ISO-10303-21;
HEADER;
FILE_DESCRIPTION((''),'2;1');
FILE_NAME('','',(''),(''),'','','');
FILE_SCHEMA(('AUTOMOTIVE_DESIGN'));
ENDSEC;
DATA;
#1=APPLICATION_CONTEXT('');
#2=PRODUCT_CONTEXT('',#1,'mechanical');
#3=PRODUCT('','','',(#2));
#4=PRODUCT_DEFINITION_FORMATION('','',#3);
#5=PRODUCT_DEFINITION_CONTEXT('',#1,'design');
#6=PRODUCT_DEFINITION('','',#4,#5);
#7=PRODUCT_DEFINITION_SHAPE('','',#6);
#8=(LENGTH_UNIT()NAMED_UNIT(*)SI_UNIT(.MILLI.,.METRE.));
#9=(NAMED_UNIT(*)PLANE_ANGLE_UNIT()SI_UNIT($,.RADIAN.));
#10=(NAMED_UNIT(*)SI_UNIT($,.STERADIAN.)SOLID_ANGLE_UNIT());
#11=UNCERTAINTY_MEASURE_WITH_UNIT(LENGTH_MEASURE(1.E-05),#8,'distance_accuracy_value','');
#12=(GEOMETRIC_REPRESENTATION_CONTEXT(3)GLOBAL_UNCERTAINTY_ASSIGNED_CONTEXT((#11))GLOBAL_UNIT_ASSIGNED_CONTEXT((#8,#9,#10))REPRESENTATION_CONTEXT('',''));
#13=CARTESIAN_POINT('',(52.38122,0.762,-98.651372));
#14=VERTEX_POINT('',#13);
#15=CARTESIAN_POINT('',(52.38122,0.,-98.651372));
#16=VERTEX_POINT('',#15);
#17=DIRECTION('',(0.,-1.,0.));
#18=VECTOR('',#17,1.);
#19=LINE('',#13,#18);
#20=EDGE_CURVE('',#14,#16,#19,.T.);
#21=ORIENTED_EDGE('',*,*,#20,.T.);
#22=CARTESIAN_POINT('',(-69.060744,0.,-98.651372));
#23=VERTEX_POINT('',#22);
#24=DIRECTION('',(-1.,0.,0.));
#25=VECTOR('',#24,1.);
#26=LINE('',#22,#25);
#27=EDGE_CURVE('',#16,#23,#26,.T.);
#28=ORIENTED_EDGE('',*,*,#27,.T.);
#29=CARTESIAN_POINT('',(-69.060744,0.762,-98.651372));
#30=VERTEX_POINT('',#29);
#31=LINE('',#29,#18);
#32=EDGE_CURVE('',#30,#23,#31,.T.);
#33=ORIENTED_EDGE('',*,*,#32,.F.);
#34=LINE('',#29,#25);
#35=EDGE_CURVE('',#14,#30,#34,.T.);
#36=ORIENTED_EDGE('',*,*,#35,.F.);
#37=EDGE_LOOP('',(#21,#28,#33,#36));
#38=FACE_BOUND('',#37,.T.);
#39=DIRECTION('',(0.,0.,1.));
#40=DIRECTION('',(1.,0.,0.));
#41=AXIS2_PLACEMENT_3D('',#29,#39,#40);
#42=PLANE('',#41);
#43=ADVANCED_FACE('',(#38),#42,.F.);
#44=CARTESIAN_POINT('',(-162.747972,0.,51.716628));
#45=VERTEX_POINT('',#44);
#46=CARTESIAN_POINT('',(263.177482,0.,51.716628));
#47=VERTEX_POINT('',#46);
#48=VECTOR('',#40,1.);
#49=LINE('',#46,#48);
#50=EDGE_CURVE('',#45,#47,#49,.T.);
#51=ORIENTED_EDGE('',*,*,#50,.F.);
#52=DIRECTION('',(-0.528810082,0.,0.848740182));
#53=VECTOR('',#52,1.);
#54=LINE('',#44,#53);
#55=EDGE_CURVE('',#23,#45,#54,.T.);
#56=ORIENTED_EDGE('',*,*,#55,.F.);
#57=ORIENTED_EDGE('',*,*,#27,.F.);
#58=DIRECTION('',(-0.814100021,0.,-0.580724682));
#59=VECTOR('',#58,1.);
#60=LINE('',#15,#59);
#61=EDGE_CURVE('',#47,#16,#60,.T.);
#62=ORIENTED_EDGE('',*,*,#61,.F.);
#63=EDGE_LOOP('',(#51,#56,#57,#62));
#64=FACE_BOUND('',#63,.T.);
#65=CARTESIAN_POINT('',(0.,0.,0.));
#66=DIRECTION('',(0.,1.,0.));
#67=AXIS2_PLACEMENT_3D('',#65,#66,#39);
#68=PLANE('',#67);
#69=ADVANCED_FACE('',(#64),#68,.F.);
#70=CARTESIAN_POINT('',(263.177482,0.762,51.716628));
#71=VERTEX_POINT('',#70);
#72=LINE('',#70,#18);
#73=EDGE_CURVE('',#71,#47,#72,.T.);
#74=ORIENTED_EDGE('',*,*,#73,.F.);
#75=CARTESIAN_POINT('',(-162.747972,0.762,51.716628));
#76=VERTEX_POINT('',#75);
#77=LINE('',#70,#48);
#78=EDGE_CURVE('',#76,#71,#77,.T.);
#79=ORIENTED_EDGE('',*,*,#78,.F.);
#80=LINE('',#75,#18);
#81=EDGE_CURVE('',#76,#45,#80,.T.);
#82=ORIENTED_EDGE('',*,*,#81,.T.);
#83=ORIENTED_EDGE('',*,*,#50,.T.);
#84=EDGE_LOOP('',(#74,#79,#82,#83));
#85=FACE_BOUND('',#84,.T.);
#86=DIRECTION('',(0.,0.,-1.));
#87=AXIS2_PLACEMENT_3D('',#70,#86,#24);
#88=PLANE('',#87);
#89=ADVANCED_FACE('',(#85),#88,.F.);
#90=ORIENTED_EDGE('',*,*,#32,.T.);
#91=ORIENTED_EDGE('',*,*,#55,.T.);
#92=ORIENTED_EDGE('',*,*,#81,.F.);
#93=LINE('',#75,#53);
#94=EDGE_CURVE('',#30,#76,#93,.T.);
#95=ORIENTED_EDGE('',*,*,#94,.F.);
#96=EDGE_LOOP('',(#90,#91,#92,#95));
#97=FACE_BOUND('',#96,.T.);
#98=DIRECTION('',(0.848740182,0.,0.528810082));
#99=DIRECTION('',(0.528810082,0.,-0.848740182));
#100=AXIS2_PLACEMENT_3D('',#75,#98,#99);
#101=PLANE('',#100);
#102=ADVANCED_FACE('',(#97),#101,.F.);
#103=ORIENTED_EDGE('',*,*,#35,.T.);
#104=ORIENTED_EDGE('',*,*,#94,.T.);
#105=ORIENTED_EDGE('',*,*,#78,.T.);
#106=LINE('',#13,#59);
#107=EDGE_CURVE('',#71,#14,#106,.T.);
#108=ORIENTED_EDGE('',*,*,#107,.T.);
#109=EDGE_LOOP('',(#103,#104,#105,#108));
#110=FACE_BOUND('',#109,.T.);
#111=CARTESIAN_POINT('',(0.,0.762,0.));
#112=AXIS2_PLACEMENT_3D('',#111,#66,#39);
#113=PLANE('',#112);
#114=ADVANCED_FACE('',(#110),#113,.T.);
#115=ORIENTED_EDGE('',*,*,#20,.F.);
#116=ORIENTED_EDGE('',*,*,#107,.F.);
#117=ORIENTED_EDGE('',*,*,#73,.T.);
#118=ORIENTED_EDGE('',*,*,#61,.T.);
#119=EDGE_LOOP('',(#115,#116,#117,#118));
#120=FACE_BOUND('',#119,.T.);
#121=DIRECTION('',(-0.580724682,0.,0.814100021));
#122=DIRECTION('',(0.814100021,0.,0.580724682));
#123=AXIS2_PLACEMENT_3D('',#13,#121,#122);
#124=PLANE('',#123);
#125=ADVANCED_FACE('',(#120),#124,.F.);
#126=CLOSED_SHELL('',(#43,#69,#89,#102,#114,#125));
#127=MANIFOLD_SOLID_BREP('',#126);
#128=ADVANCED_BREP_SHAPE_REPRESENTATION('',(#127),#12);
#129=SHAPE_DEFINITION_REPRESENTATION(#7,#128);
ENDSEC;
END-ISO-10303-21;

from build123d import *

# Parameters (mm, degrees)
BOSS_EXTRUDE1_DEPTH = 0.762


with BuildPart() as part:
    # Sketch1 → Boss-Extrude1 (new body)
    with BuildSketch(Plane(origin=(0, 0, 0), x_dir=(1, 0, 0), z_dir=(0, 1, 0))):
        Polygon((263.177481941, -51.716628142), (-162.747971892, -51.716628142), (-69.060744478, 98.651371858), (52.381220259, 98.651371858), align=None)
    extrude(amount=BOSS_EXTRUDE1_DEPTH)


solid = part.part
